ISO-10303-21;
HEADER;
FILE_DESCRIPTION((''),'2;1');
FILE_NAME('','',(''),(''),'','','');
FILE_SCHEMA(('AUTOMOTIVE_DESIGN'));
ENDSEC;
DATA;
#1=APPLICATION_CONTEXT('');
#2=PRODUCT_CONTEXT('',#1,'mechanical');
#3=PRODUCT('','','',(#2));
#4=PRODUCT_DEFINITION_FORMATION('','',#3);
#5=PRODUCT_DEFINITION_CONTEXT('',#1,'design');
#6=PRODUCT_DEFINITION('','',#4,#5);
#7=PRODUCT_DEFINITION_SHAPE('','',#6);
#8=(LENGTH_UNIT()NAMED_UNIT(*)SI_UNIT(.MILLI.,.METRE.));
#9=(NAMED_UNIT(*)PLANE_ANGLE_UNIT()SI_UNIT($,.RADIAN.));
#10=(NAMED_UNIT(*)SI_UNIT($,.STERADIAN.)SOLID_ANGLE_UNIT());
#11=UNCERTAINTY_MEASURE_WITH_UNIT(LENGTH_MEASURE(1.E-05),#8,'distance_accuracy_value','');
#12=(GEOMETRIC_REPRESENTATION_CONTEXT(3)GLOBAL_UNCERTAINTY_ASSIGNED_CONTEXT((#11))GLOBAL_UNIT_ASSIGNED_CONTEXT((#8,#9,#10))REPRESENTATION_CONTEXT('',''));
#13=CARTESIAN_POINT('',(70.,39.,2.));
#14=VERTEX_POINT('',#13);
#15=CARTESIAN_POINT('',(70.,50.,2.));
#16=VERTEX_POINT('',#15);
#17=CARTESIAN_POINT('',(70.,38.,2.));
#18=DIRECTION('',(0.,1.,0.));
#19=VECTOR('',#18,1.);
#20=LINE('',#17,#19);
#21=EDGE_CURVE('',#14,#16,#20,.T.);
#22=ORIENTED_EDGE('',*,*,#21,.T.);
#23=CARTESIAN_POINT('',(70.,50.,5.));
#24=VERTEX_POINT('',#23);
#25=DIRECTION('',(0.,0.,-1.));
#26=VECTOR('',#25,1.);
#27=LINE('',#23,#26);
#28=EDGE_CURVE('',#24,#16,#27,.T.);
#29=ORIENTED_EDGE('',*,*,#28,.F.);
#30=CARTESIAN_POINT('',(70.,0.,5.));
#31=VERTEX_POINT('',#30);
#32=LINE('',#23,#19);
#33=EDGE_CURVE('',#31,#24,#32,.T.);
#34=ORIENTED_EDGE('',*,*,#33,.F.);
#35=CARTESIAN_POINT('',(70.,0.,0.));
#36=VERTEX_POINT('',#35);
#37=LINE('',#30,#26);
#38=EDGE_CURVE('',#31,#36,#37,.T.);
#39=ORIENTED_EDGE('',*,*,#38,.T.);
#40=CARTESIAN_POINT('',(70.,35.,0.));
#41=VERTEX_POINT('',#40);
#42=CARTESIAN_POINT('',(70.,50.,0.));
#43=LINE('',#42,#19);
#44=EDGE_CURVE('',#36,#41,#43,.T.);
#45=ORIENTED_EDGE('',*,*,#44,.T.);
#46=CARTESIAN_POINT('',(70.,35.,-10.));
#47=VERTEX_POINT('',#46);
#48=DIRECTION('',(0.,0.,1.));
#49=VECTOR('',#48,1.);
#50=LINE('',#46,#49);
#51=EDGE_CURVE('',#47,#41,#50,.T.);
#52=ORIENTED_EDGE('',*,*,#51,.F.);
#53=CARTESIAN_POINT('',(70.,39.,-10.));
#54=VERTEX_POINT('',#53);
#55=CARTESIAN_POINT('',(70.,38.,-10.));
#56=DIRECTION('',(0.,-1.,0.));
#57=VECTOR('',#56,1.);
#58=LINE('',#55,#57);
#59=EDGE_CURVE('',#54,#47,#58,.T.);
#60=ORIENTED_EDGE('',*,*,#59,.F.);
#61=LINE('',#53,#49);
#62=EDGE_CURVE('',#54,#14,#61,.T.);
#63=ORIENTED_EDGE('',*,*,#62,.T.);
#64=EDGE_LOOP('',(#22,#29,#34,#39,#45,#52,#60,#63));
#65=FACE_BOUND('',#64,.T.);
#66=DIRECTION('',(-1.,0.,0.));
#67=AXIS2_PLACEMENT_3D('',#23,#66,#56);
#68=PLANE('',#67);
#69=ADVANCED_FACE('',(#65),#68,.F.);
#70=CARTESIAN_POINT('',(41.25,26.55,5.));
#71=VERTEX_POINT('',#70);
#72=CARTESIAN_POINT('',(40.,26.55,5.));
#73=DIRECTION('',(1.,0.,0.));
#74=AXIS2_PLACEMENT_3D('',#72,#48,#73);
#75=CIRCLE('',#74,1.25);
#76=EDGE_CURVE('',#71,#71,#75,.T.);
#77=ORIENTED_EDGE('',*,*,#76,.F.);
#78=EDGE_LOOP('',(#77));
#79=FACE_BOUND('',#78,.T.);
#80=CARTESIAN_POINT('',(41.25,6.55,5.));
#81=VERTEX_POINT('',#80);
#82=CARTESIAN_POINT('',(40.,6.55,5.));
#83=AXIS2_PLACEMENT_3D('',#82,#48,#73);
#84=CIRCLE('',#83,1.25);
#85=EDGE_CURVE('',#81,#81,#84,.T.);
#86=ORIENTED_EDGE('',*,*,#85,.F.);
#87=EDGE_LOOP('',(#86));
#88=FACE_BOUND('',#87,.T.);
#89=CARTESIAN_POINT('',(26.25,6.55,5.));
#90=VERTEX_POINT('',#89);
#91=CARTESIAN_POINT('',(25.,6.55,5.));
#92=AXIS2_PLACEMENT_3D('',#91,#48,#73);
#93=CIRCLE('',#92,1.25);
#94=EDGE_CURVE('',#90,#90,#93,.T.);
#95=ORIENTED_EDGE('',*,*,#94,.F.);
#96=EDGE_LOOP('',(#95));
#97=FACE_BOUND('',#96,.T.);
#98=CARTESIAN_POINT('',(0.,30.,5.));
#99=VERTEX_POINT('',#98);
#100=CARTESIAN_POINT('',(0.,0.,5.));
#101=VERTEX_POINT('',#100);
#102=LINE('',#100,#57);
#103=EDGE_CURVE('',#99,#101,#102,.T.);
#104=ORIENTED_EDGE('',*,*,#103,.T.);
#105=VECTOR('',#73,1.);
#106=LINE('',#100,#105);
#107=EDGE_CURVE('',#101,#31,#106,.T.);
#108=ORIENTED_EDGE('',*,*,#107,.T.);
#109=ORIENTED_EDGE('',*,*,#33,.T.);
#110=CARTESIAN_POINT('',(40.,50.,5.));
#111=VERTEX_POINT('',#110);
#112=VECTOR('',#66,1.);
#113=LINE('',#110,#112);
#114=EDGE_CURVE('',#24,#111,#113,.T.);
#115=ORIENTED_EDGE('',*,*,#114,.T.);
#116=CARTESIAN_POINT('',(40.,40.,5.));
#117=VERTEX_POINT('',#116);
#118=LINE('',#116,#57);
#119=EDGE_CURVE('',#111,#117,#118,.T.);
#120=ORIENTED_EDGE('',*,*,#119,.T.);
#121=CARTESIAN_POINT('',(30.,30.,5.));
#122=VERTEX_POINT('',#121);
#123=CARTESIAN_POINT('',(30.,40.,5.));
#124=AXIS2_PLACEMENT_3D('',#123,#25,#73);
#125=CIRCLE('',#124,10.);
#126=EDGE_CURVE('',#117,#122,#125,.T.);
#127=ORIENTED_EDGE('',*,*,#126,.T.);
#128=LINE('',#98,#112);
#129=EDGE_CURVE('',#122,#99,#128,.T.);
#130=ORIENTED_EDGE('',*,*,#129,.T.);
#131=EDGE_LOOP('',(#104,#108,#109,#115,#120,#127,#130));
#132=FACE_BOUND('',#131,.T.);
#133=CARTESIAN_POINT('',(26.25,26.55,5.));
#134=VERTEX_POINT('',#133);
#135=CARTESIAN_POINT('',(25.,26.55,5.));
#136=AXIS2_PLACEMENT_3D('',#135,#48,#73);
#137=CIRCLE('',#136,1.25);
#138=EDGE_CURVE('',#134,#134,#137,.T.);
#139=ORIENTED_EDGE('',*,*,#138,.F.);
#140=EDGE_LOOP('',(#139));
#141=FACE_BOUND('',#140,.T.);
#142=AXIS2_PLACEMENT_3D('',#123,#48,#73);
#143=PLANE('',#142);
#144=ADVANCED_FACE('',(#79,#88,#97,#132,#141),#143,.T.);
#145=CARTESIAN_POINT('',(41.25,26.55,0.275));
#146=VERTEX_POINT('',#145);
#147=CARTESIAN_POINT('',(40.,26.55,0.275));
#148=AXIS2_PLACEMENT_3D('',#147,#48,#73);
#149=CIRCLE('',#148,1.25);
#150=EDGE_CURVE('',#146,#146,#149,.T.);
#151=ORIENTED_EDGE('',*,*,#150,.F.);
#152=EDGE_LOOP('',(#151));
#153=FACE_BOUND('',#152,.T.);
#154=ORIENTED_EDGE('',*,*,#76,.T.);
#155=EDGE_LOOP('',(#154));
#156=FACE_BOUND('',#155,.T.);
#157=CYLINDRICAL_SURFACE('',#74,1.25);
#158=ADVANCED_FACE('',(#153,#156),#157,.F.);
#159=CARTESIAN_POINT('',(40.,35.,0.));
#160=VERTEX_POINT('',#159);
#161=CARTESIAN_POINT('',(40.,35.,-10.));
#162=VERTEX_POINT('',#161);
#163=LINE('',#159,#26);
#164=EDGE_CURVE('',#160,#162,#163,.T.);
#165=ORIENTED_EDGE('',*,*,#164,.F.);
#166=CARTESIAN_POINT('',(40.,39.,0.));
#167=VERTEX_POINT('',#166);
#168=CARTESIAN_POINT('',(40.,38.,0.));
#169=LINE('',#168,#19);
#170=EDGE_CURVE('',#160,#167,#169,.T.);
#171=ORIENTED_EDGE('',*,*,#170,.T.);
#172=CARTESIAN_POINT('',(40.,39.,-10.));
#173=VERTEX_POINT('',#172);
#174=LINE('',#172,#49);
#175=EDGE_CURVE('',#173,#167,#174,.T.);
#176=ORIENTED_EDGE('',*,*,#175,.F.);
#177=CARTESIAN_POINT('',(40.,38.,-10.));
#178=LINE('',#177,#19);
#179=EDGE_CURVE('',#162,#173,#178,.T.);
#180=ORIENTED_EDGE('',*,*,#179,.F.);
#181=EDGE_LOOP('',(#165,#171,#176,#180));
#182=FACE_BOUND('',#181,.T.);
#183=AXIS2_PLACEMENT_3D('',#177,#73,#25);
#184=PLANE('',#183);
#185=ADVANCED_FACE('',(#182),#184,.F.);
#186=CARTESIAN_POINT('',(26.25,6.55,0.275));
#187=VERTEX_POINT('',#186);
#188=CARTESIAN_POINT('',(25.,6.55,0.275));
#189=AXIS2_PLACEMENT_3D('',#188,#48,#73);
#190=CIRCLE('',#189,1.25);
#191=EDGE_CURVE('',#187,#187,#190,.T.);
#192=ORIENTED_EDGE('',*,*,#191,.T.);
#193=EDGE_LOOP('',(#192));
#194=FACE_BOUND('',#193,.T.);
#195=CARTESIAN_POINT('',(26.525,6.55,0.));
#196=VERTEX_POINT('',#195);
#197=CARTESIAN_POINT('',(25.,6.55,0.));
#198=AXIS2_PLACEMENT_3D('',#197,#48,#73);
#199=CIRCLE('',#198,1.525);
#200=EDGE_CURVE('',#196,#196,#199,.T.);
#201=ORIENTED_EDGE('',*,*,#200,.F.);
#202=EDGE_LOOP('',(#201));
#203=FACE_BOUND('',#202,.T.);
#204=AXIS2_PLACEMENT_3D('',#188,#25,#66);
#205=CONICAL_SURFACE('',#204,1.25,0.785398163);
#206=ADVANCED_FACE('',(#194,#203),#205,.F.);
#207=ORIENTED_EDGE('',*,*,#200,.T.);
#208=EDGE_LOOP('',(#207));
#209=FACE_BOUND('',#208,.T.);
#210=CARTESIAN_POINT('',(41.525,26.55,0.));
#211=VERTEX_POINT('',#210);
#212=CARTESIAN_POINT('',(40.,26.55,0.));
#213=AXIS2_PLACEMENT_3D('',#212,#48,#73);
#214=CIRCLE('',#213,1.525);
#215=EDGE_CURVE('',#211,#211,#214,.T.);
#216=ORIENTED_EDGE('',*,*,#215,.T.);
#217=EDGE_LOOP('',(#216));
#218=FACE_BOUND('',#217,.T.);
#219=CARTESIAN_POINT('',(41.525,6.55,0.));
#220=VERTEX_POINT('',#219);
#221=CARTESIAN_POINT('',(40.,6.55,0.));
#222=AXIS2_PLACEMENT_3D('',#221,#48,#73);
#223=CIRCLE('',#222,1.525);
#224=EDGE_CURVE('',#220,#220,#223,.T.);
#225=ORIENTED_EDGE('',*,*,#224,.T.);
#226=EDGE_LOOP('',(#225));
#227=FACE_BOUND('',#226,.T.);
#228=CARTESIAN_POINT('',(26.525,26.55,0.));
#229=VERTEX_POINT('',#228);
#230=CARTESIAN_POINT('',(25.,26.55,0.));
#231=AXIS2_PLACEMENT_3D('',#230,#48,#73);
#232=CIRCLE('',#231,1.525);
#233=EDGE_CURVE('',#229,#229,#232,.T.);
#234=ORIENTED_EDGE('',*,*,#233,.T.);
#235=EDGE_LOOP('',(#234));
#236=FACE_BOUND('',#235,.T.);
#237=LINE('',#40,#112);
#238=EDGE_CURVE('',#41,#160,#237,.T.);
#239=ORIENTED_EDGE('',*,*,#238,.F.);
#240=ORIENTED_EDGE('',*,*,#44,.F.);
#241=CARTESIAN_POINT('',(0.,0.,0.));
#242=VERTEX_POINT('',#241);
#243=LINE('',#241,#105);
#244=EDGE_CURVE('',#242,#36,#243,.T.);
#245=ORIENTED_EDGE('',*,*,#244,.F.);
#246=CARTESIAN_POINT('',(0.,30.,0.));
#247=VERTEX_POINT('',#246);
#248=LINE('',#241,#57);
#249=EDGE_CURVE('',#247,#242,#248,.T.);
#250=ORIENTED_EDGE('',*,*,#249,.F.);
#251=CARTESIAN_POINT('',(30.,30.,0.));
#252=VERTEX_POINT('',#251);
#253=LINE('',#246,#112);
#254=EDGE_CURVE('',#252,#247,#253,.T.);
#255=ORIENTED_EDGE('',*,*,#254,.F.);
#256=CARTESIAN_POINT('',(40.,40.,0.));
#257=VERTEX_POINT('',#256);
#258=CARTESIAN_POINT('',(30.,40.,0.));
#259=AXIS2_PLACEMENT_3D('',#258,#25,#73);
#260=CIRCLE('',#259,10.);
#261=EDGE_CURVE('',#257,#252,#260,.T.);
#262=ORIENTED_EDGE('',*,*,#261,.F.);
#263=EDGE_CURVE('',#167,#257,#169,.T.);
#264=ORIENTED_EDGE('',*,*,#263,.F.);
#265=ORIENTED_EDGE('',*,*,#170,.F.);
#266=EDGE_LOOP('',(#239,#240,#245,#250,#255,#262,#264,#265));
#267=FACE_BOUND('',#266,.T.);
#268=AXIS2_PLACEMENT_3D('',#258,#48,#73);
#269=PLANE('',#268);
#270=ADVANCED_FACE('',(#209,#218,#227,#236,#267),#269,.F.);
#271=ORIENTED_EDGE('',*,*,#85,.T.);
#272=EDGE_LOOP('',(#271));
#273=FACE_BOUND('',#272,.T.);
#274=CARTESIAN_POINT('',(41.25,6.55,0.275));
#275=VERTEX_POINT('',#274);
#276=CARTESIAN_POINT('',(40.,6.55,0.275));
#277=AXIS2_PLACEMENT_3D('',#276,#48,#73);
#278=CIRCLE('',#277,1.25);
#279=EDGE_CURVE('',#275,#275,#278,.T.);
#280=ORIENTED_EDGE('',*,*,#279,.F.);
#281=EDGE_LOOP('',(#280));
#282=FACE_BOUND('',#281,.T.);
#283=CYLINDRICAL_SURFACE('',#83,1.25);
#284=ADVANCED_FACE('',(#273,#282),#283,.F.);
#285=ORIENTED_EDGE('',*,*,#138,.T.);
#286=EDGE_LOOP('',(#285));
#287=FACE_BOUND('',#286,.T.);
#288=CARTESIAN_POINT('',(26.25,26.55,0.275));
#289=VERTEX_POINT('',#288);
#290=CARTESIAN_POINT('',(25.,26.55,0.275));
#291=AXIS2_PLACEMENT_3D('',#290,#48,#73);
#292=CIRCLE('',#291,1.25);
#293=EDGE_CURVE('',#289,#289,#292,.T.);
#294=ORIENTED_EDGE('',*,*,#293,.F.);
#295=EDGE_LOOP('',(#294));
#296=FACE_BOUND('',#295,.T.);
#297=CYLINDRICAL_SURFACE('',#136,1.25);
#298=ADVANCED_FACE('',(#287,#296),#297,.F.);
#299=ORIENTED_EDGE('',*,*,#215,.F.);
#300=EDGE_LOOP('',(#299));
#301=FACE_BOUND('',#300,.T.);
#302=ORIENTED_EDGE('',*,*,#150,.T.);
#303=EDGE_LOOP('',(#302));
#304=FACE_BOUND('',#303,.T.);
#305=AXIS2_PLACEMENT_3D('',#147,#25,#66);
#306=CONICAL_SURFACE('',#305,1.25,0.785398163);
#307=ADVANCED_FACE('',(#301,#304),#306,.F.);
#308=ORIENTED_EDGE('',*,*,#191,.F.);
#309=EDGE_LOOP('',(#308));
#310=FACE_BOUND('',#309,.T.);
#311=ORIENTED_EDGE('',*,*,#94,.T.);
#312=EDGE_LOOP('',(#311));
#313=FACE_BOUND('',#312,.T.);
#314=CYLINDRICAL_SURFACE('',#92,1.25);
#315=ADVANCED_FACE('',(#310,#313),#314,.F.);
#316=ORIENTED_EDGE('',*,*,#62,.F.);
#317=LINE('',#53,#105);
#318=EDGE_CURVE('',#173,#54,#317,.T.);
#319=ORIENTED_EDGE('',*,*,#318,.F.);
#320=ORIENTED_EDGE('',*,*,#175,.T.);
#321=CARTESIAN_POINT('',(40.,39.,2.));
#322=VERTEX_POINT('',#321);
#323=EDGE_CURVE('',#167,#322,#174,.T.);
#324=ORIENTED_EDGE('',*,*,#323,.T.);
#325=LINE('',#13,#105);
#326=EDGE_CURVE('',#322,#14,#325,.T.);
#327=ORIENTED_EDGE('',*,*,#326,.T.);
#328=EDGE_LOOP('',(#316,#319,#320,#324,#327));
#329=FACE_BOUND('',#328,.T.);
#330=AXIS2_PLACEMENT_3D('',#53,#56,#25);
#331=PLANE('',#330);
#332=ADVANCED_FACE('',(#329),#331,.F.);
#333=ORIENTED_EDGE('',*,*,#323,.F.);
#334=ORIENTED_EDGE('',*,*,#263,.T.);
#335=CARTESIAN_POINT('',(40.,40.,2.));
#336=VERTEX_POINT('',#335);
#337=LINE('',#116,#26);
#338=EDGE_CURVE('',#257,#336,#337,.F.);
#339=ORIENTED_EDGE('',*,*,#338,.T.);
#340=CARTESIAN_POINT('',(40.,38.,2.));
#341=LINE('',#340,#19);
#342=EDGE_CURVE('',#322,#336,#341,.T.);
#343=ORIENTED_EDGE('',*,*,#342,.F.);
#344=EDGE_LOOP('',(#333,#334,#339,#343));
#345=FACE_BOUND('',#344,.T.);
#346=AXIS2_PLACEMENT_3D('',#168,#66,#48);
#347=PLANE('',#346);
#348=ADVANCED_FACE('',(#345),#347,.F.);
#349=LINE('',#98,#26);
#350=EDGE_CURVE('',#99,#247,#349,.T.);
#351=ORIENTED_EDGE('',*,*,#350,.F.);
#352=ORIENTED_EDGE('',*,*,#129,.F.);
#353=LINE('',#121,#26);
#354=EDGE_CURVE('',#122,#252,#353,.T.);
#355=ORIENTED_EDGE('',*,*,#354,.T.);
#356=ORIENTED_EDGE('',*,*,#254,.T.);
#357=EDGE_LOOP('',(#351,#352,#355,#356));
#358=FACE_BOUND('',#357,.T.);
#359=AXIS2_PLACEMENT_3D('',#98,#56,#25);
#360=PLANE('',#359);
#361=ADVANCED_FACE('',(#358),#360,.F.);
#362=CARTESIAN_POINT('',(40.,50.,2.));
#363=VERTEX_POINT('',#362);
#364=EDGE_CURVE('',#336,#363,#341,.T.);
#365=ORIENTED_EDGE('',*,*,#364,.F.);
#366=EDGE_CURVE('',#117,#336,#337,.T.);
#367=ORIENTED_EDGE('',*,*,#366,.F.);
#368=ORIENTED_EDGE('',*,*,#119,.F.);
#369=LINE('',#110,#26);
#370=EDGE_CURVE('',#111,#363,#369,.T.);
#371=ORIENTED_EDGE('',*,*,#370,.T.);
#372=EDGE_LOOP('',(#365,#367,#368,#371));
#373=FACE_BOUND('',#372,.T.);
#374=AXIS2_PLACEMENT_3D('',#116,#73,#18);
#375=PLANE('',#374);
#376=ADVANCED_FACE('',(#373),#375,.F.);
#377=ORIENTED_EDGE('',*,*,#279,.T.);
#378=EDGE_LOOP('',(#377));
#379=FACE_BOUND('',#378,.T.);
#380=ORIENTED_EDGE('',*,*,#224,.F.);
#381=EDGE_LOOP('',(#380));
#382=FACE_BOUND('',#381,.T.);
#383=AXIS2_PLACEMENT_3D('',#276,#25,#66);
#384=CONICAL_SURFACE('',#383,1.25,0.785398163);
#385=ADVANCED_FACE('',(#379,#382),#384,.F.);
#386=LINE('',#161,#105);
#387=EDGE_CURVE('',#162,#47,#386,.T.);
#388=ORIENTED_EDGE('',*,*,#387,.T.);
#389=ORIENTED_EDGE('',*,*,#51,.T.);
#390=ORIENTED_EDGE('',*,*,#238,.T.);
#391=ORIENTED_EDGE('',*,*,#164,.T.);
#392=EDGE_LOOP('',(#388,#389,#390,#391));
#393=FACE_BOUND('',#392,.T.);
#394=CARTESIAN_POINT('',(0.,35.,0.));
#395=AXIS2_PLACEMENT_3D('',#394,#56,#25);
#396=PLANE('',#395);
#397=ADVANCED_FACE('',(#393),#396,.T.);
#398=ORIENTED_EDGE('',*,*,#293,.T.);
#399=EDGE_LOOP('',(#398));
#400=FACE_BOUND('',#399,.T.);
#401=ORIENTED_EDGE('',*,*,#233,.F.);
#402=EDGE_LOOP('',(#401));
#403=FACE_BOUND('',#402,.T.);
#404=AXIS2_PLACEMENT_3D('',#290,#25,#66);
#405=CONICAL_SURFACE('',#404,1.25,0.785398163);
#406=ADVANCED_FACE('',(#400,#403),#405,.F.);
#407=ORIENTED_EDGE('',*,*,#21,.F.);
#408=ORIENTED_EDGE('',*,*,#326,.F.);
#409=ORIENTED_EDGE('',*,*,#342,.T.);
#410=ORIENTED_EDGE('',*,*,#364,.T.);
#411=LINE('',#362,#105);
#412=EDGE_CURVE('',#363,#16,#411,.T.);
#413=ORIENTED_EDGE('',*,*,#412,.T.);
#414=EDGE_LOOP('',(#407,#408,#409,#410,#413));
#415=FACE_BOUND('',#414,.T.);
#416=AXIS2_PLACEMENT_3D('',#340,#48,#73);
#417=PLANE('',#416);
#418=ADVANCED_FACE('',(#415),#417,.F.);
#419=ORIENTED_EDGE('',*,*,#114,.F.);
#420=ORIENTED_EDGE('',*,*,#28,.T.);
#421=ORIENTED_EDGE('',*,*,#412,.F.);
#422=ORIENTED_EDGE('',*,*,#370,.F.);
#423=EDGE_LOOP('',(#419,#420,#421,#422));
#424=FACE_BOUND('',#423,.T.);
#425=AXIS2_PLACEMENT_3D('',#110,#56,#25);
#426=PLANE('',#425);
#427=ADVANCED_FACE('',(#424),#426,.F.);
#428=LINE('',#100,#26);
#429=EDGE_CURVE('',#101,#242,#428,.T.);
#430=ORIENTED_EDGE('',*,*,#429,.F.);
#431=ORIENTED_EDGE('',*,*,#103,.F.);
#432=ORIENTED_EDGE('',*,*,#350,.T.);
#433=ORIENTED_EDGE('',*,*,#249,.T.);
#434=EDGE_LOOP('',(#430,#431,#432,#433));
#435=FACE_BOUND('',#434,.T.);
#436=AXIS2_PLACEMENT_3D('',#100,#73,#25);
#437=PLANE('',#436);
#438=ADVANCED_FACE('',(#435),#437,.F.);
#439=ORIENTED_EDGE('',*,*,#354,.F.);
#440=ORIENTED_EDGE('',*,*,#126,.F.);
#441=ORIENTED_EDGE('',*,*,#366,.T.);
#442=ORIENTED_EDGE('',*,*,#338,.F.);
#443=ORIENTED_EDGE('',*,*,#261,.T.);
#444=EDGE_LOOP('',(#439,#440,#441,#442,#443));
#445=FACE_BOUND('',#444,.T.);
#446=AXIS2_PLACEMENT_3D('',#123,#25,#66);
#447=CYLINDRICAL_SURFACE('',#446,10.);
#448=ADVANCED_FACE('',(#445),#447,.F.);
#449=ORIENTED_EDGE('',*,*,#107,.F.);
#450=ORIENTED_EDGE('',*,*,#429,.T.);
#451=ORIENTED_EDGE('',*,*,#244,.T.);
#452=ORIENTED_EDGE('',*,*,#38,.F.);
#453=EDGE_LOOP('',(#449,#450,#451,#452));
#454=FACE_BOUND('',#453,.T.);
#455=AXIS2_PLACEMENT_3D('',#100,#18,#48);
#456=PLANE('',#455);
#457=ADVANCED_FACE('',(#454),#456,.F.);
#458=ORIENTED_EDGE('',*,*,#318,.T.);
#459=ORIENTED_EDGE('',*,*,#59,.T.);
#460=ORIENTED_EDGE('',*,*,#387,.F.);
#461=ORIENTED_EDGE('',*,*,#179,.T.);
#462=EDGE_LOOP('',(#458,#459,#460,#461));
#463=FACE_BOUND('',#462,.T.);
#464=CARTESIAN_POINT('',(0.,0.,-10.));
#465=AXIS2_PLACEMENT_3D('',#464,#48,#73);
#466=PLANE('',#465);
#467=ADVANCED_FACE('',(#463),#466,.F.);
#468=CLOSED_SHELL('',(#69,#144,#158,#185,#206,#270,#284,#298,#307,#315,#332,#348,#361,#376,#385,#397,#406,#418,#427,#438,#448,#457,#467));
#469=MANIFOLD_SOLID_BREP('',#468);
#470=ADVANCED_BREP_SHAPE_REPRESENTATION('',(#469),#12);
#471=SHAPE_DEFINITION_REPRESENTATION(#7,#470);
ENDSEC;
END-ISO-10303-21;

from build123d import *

# Parameters (mm, degrees)
BODY_DEPTH           = 5
LPATTERN1_COUNT      = 2
LPATTERN1_PITCH      = 15
LPATTERN1_COUNT_DIR2 = 2
LPATTERN1_PITCH_DIR2 = 20
SKETCH4_W            = 30
SKETCH4_H            = 2
CUT_EXTRUDE2_DEPTH   = 12
SKETCH5_W            = 30
SKETCH5_H            = 1
BOSS_EXTRUDE3_DEPTH  = 12
SKETCH6_W            = 30
SKETCH6_H            = 10
BOSS_EXTRUDE4_DEPTH  = 3


with BuildPart() as part:
    # Sketch1 → Body (new body)
    with BuildSketch(Plane.XY):
        with BuildLine():
            Line((0, 0), (70, 0))
            Line((70, 0), (70, 50))
            Line((70, 50), (40, 50))
            Line((40, 50), (40, 40))
            ThreePointArc((40, 40), (37.071067812, 32.928932188), (30, 30))
            Line((30, 30), (0, 30))
            Line((0, 30), (0, 0))
        make_face()
    extrude(amount=BODY_DEPTH)

    # Sketch8 → M3x0.5 Tapped Hole1 (revolve, cut)
    with BuildSketch(Plane(origin=(25, 6.55, 5), x_dir=(0, -1, 0), z_dir=(1, 0, 0))):
        Polygon((0, 0), (0, 5), (1.525, 5), (1.25, 4.725), (1.25, 0), align=None)
    m3x0_5_tapped_hole1 = revolve(axis=Axis((25, 6.55, 11.35), (0, 0, -1)), mode=Mode.SUBTRACT)

    # LPattern1: M3x0.5 Tapped Hole1 2 × 2
    with Locations(*[(i * LPATTERN1_PITCH, j * LPATTERN1_PITCH_DIR2, 0) for i in range(LPATTERN1_COUNT) for j in range(LPATTERN1_COUNT_DIR2) if (i, j) != (0, 0)]):
        add(m3x0_5_tapped_hole1, mode=Mode.SUBTRACT)

    # Sketch4 → Cut-Extrude2 (cut)
    with BuildSketch(Plane(origin=(0, 50, 0), x_dir=(1, 0, 0), z_dir=(0, 1, 0))):
        with Locations((55, -1)):
            Rectangle(SKETCH4_W, SKETCH4_H)
    extrude(amount=-CUT_EXTRUDE2_DEPTH, mode=Mode.SUBTRACT)

    # Sketch5 → Boss-Extrude3 (add)
    with BuildSketch(Plane(origin=(0, 0, 2), x_dir=(-1, 0, 0), z_dir=(0, 0, -1))):
        with Locations((-55, 38.5)):
            Rectangle(SKETCH5_W, SKETCH5_H)
    extrude(amount=BOSS_EXTRUDE3_DEPTH)

    # Sketch6 → Boss-Extrude4 (add)
    with BuildSketch(Plane.XZ.offset(-38)):
        with Locations((55, -5)):
            Rectangle(SKETCH6_W, SKETCH6_H)
    extrude(amount=BOSS_EXTRUDE4_DEPTH)


solid = part.part
